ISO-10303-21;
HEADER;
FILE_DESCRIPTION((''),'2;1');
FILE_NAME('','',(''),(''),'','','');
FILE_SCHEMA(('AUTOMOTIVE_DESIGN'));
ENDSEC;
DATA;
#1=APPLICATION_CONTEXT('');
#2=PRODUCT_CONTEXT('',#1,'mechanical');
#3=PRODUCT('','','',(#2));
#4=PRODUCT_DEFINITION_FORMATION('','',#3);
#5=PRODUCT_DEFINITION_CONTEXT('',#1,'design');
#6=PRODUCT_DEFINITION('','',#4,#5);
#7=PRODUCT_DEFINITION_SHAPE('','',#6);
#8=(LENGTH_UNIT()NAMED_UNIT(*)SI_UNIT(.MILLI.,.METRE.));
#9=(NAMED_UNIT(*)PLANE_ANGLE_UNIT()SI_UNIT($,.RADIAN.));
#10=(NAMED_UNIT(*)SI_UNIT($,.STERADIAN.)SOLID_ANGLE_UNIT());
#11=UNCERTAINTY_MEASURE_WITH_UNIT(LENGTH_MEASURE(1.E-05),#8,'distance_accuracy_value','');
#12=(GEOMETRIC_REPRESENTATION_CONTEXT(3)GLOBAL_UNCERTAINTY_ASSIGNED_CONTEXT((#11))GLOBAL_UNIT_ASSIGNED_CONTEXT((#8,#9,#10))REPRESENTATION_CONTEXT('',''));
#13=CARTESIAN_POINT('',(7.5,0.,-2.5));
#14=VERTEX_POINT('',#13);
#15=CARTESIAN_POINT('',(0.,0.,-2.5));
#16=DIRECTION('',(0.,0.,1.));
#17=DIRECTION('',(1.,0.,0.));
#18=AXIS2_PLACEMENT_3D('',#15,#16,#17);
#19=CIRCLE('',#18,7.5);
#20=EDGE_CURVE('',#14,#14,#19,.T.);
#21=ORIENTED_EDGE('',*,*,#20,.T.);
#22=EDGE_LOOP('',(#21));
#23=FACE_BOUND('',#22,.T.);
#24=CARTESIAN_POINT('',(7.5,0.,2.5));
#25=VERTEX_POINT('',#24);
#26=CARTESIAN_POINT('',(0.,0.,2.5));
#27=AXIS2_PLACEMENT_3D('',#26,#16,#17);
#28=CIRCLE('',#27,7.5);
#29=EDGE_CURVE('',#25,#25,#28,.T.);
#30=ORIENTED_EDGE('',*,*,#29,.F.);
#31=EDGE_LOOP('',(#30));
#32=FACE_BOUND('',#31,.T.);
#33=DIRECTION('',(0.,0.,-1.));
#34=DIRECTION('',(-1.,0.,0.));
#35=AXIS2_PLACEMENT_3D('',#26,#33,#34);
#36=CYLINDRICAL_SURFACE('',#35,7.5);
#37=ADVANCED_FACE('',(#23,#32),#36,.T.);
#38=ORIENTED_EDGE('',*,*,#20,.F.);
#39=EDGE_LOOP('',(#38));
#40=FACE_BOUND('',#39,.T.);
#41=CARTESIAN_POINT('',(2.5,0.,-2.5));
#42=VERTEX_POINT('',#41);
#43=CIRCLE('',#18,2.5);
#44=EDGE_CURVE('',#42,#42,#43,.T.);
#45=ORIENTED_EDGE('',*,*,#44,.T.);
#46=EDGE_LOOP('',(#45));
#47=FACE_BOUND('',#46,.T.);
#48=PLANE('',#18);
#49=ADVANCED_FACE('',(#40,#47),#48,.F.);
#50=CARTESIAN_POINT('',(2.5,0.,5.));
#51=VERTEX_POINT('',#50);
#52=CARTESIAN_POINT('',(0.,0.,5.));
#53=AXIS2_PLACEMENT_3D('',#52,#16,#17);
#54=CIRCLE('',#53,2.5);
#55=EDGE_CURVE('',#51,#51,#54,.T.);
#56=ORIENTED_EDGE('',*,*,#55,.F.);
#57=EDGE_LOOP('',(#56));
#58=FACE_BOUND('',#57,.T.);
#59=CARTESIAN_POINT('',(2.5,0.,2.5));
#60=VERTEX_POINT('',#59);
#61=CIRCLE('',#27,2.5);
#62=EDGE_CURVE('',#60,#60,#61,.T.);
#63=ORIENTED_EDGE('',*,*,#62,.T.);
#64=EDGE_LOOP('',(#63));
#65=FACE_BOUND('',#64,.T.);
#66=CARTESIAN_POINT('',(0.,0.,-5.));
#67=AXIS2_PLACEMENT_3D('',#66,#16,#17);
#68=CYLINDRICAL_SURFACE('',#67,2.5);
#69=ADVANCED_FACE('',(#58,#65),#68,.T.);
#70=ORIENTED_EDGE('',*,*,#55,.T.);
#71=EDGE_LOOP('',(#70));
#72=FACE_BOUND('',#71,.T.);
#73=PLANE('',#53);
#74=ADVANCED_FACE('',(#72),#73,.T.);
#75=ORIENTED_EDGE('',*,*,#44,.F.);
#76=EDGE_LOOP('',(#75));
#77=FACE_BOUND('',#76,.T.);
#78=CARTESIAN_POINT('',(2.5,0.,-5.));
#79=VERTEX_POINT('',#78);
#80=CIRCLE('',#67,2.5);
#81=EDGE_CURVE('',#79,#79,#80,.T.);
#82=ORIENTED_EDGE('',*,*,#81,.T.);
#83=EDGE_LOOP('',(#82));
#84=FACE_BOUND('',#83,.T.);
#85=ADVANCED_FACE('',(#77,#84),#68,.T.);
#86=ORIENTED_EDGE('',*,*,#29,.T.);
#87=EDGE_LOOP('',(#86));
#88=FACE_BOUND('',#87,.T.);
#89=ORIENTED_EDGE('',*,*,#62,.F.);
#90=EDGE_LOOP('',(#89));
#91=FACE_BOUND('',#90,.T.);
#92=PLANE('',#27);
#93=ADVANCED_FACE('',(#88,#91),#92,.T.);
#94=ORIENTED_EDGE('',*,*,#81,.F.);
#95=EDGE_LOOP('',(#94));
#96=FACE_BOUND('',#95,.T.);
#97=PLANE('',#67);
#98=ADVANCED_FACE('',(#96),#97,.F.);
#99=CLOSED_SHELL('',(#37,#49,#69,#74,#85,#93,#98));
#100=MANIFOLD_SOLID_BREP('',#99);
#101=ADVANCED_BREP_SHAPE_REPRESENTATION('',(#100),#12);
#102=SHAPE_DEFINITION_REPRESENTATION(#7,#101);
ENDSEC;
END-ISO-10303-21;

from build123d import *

# Parameters (mm, degrees)
SKETCH2_R                = 7.5
BOSS_EXTRUDE1_DEPTH      = 2.5
BOSS_EXTRUDE2_DEPTH      = 5
BOSS_EXTRUDE2_DEPTH_BACK = 5
SKETCH3_R                = 2.5


with BuildPart() as part:
    # Sketch2 → Boss-Extrude1 (new, symmetric)
    with BuildSketch(Plane.XY):
        Circle(SKETCH2_R)
    extrude(amount=BOSS_EXTRUDE1_DEPTH, both=True)

    # Sketch3 → Boss-Extrude2 (add, two sides: drawn at the far end of the back side and taken through both)
    with BuildSketch(Plane.XY.offset(-BOSS_EXTRUDE2_DEPTH_BACK)):
        Circle(SKETCH3_R)
    extrude(amount=BOSS_EXTRUDE2_DEPTH + BOSS_EXTRUDE2_DEPTH_BACK)


solid = part.part
